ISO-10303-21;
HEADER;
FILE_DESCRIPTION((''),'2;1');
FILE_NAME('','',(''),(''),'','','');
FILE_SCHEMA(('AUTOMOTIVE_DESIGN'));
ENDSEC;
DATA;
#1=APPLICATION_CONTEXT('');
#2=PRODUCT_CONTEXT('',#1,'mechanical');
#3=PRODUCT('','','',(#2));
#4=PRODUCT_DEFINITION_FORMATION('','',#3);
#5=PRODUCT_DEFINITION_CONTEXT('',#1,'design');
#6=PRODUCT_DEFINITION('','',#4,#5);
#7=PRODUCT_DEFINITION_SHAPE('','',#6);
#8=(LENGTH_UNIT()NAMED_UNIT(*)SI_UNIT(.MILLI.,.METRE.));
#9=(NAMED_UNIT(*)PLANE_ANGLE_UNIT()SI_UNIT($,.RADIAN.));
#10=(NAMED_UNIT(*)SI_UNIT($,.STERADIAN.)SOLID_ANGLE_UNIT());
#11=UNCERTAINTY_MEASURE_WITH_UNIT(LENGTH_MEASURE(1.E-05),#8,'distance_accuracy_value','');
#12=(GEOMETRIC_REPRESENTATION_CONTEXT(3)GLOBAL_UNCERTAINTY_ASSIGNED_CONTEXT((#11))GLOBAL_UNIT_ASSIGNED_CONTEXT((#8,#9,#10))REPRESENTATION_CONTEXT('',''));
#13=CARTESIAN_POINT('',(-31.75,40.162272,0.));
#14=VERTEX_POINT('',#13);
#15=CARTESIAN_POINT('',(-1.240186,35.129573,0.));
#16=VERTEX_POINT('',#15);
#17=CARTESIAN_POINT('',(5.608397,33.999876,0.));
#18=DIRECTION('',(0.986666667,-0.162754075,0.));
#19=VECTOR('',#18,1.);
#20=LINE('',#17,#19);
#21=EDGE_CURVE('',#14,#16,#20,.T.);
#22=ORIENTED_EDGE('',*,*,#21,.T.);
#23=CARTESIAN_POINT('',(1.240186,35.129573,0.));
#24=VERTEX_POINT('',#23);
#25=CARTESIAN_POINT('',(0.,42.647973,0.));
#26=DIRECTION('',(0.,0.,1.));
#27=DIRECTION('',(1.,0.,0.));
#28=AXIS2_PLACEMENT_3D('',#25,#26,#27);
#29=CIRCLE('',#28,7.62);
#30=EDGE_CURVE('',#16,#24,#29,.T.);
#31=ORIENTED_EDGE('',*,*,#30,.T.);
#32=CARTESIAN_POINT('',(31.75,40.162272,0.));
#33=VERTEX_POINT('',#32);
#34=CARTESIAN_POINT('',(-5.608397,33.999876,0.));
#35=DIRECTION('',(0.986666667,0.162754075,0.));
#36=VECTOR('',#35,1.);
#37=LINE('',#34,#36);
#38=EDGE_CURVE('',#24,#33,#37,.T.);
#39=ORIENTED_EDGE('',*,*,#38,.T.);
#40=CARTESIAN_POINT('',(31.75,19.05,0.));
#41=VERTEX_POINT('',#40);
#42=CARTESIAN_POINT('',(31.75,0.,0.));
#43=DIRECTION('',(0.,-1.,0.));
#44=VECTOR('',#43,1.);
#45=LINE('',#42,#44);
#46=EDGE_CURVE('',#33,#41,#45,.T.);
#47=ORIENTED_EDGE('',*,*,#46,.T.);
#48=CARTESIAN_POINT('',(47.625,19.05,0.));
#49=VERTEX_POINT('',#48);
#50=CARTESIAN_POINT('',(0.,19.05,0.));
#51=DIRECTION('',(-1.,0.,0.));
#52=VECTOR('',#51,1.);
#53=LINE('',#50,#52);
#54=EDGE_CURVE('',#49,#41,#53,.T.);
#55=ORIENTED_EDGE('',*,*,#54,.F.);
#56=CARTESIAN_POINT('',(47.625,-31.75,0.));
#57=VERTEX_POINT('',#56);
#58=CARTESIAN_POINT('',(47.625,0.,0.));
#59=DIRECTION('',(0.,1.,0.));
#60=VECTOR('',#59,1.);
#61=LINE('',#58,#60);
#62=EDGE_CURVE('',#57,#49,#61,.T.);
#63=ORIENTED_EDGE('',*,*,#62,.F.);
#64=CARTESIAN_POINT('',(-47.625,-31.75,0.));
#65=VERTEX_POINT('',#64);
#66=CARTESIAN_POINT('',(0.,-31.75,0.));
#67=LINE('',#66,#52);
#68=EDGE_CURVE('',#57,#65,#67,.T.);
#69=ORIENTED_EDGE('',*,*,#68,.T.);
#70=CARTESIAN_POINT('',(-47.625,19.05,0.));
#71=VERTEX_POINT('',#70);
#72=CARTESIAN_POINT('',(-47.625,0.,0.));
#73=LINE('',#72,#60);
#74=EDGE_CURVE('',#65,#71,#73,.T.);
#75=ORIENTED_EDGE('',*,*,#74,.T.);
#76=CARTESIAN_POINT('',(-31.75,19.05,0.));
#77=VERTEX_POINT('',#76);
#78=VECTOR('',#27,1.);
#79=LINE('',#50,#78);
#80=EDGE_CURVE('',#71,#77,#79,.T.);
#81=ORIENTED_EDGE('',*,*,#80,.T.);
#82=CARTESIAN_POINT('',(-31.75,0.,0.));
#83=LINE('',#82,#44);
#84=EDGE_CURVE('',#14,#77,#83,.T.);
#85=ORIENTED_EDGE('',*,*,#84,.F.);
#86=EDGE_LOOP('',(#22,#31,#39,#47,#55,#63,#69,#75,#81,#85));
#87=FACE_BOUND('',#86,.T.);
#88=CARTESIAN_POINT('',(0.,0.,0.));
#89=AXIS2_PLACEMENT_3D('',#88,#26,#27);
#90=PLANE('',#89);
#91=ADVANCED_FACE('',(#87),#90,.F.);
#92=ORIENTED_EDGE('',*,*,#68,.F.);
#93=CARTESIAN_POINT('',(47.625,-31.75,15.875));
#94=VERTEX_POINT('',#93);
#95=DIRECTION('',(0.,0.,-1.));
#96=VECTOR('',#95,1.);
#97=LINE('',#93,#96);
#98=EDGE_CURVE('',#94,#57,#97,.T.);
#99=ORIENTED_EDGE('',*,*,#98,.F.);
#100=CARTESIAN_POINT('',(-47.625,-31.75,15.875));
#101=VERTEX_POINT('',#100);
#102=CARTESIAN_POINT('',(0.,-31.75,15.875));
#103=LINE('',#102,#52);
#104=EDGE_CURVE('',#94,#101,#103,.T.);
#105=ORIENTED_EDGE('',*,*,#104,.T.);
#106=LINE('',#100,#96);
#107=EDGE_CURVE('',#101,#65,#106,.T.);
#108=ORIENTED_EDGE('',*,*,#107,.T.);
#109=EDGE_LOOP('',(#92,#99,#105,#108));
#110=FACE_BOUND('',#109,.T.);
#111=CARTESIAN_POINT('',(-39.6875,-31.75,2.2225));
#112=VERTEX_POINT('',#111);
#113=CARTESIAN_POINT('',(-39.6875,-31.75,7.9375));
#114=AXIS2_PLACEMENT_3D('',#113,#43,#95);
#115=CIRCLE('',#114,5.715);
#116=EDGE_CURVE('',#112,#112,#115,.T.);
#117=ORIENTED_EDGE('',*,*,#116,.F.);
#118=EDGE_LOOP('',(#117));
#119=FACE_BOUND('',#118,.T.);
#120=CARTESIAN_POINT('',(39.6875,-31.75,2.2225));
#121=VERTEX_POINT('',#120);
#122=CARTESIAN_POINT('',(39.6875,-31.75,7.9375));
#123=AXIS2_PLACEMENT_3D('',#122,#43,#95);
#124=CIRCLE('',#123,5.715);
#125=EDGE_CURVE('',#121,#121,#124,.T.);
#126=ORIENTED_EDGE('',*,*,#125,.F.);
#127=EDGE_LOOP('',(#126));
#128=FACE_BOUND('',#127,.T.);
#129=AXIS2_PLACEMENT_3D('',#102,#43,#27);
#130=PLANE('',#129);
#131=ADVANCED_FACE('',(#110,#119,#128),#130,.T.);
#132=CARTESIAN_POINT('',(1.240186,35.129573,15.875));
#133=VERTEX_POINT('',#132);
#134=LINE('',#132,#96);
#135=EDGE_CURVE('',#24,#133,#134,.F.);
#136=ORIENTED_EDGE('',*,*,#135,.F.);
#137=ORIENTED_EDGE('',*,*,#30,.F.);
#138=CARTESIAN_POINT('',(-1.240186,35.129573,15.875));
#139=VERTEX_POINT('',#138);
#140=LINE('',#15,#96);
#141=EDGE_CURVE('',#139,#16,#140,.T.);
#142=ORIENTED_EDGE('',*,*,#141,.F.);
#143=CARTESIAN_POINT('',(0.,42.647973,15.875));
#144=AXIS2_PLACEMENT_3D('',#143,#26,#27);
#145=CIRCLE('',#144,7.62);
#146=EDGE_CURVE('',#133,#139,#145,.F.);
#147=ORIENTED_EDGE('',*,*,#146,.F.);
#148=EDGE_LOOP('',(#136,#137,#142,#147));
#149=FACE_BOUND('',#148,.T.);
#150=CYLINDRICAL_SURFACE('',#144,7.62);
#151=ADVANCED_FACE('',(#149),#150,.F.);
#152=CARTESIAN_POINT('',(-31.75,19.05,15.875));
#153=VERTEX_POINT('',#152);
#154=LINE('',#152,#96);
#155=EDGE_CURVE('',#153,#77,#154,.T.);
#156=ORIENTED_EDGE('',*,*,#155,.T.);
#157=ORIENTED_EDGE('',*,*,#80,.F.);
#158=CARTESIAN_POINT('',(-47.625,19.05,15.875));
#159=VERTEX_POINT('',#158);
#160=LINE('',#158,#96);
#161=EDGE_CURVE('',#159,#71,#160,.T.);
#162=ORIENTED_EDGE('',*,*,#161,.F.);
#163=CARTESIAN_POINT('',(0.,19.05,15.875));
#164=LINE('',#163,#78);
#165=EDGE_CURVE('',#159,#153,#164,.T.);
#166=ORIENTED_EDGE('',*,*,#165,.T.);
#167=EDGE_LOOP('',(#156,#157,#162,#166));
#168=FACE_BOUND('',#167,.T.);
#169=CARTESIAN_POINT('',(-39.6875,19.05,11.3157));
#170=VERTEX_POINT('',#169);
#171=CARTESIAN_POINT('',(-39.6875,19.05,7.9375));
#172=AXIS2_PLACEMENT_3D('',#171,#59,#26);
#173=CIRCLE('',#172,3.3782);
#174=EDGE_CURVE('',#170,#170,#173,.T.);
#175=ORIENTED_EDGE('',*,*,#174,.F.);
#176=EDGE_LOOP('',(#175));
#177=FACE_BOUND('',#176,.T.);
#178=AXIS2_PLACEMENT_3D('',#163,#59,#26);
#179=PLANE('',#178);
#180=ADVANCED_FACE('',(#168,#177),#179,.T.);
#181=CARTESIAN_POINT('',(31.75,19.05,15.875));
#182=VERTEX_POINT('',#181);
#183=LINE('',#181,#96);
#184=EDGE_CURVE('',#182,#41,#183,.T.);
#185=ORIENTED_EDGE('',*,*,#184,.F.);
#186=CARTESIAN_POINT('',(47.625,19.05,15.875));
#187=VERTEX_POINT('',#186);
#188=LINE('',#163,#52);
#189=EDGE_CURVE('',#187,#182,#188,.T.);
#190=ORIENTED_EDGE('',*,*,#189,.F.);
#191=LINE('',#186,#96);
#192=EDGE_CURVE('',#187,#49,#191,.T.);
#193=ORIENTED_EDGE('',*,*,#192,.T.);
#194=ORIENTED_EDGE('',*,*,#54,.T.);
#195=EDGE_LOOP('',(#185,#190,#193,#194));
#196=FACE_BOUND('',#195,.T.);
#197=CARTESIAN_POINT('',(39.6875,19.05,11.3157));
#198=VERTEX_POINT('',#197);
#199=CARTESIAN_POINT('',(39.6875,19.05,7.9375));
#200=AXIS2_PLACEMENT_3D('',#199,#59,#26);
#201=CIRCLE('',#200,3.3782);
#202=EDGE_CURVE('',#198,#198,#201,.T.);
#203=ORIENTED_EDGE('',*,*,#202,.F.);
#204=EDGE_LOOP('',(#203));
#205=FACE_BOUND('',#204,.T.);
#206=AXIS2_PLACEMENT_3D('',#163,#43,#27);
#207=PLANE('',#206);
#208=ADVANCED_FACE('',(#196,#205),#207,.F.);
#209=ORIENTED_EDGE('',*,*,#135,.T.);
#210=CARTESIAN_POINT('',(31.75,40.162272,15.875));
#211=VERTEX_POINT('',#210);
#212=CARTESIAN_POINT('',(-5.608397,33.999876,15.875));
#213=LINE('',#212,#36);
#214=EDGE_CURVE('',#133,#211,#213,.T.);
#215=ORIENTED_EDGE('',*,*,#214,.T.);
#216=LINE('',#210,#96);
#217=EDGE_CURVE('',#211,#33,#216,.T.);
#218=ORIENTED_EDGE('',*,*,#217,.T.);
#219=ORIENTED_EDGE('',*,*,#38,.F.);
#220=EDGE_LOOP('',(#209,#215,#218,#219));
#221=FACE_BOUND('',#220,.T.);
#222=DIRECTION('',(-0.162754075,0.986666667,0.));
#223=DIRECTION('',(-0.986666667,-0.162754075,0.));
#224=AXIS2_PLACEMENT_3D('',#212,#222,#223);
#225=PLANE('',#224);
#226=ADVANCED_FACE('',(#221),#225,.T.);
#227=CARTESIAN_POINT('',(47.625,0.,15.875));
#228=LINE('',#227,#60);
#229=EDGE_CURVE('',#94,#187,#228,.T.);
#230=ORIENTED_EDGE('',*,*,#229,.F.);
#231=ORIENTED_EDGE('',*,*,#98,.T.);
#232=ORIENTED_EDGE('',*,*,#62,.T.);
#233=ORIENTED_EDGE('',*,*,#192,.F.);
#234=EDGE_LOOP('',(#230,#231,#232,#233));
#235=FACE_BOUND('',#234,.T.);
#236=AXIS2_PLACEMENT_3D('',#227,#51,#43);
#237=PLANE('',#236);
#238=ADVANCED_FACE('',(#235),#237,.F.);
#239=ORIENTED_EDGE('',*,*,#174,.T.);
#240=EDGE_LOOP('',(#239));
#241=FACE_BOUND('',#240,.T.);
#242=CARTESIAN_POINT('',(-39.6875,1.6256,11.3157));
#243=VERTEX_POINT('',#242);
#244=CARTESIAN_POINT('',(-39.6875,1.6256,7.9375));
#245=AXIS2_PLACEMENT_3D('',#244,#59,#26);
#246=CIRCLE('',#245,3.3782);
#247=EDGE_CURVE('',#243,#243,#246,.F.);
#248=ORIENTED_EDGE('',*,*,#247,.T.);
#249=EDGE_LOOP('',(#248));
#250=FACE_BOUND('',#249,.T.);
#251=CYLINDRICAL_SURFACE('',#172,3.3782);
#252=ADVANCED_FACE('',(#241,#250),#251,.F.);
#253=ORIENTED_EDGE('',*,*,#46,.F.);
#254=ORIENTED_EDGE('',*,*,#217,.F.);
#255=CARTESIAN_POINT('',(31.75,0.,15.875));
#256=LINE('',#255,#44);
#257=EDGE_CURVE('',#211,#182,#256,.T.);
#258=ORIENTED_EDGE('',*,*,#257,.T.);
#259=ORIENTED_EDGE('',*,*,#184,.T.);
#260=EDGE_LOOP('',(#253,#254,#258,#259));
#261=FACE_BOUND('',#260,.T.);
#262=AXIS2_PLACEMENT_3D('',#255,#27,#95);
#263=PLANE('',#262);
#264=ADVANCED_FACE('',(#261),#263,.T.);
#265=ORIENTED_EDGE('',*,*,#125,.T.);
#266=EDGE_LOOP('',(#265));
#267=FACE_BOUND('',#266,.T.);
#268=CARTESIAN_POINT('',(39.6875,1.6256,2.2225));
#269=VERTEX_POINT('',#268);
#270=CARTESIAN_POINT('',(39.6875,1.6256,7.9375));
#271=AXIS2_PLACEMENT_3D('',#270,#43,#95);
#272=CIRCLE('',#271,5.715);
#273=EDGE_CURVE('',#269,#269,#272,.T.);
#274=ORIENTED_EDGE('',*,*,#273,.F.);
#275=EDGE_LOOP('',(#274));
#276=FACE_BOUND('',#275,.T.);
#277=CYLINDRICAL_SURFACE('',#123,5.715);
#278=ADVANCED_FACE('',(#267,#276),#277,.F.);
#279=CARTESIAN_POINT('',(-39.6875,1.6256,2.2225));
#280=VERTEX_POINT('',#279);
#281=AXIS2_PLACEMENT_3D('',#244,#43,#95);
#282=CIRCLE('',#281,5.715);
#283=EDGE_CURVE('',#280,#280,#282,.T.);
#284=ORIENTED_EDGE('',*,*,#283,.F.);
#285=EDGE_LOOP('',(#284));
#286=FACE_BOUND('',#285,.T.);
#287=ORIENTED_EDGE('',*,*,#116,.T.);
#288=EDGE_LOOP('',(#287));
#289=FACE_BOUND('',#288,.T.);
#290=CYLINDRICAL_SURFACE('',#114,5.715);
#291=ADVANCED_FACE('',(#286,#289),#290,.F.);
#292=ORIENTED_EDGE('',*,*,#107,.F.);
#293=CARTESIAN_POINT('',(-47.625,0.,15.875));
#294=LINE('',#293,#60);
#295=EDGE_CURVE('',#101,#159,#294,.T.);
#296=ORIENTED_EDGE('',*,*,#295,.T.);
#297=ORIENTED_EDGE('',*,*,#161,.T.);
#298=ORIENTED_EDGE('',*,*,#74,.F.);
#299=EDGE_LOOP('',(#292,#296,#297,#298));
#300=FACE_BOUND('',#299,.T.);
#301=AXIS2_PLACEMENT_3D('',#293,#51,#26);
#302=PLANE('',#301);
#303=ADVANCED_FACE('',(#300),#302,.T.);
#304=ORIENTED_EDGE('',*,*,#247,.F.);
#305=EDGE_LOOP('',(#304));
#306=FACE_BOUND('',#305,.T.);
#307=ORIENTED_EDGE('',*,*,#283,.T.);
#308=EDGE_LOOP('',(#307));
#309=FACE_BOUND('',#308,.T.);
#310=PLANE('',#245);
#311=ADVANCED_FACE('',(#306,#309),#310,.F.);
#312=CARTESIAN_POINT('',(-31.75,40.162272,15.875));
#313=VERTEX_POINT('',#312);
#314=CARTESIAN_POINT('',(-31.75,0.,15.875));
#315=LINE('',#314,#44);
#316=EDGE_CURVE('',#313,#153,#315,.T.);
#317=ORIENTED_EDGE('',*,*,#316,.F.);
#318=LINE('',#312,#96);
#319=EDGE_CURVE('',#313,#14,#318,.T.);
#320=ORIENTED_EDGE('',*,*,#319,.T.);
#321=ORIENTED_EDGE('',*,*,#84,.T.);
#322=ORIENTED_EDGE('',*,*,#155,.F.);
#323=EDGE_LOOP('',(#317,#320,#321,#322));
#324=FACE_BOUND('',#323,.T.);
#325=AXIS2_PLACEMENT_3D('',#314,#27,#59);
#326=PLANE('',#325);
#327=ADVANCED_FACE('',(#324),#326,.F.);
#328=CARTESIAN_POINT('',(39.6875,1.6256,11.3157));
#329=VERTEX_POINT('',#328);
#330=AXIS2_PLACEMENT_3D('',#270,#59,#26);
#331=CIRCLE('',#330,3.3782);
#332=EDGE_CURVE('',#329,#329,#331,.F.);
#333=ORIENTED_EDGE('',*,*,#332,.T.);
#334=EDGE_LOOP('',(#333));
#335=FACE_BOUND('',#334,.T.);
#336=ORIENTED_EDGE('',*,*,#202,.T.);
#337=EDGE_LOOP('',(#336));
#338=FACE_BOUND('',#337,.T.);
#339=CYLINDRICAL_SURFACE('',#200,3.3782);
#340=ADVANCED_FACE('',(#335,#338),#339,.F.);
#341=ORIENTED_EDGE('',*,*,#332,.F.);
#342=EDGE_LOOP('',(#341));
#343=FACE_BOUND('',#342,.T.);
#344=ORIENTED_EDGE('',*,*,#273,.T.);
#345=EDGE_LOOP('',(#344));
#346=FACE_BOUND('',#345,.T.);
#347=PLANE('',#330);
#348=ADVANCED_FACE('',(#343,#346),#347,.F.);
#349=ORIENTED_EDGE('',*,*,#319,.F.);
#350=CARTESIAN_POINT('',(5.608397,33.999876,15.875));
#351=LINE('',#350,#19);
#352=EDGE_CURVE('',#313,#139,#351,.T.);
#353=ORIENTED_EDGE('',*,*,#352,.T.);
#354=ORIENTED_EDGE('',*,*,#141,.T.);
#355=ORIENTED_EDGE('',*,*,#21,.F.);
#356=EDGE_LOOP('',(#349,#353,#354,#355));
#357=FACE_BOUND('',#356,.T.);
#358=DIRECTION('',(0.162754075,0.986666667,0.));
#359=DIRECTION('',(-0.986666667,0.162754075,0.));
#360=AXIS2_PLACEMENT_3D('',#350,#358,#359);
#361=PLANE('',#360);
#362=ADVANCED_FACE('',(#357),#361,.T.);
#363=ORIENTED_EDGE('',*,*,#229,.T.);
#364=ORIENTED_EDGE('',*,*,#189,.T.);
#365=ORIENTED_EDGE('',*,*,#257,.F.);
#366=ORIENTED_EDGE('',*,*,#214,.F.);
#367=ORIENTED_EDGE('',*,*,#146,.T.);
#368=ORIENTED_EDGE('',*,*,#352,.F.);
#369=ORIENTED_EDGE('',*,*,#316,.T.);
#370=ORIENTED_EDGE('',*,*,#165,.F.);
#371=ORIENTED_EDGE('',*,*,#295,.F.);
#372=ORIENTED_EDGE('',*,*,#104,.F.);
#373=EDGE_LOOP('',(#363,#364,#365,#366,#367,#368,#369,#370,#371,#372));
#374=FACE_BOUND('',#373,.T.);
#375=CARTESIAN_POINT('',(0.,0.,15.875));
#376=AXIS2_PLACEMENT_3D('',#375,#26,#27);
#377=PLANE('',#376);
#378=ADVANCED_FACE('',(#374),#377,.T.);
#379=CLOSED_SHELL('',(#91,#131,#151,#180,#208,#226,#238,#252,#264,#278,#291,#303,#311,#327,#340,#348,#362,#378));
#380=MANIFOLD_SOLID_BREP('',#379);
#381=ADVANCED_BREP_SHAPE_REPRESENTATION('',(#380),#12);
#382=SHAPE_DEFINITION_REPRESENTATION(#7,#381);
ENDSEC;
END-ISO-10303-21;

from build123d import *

# Parameters (mm, degrees)
BOSS_EXTRUDE1_DEPTH                = 15.875
F_1_4_CLEARANCE_HOLE1_D            = 6.7564
F_1_16_0_0625_DIAMETER_HOLE1_D     = 11.43
F_1_16_0_0625_DIAMETER_HOLE1_DEPTH = 33.3756
FILLET1_R                          = 7.62


with BuildPart() as part:
    # Sketch1 → Boss-Extrude1 (new body)
    with BuildSketch(Plane.XY):
        Polygon((31.75, 31.75), (-31.75, 31.75), (-31.75, 19.05), (-47.625, 19.05), (-47.625, -31.75), (47.625, -31.75), (47.625, 19.05), (31.75, 19.05), align=None)
        Polygon((-31.75, 40.162272173), (-31.75, 31.75), (31.75, 31.75), (31.75, 40.162272173), (19.119534727, 38.078833297), (0, 34.925), (-19.119537229, 38.07883371), align=None)
    extrude(amount=BOSS_EXTRUDE1_DEPTH)

    # 1/4 Clearance Hole1 (through all)
    with Locations(Plane(origin=(0, 19.05, 0), x_dir=(-1, 0, 0), z_dir=(0, 1, 0))):
        with Locations((39.6875, 7.9375), (-39.6875, 7.9375)):
            Hole(F_1_4_CLEARANCE_HOLE1_D / 2)

    # 1/16 (0.0625) Diameter Hole1
    with Locations(Plane.XZ.offset(31.75)):
        with Locations((39.6875, 7.9375), (-39.6875, 7.9375)):
            Hole(F_1_16_0_0625_DIAMETER_HOLE1_D / 2, depth=F_1_16_0_0625_DIAMETER_HOLE1_DEPTH)

    # Fillet1
    fillet1_edges = [part.edges().sort_by_distance(p)[0] for p in [
        (0, 34.925, 7.9375),
    ]]
    fillet(fillet1_edges, radius=FILLET1_R)


solid = part.part
